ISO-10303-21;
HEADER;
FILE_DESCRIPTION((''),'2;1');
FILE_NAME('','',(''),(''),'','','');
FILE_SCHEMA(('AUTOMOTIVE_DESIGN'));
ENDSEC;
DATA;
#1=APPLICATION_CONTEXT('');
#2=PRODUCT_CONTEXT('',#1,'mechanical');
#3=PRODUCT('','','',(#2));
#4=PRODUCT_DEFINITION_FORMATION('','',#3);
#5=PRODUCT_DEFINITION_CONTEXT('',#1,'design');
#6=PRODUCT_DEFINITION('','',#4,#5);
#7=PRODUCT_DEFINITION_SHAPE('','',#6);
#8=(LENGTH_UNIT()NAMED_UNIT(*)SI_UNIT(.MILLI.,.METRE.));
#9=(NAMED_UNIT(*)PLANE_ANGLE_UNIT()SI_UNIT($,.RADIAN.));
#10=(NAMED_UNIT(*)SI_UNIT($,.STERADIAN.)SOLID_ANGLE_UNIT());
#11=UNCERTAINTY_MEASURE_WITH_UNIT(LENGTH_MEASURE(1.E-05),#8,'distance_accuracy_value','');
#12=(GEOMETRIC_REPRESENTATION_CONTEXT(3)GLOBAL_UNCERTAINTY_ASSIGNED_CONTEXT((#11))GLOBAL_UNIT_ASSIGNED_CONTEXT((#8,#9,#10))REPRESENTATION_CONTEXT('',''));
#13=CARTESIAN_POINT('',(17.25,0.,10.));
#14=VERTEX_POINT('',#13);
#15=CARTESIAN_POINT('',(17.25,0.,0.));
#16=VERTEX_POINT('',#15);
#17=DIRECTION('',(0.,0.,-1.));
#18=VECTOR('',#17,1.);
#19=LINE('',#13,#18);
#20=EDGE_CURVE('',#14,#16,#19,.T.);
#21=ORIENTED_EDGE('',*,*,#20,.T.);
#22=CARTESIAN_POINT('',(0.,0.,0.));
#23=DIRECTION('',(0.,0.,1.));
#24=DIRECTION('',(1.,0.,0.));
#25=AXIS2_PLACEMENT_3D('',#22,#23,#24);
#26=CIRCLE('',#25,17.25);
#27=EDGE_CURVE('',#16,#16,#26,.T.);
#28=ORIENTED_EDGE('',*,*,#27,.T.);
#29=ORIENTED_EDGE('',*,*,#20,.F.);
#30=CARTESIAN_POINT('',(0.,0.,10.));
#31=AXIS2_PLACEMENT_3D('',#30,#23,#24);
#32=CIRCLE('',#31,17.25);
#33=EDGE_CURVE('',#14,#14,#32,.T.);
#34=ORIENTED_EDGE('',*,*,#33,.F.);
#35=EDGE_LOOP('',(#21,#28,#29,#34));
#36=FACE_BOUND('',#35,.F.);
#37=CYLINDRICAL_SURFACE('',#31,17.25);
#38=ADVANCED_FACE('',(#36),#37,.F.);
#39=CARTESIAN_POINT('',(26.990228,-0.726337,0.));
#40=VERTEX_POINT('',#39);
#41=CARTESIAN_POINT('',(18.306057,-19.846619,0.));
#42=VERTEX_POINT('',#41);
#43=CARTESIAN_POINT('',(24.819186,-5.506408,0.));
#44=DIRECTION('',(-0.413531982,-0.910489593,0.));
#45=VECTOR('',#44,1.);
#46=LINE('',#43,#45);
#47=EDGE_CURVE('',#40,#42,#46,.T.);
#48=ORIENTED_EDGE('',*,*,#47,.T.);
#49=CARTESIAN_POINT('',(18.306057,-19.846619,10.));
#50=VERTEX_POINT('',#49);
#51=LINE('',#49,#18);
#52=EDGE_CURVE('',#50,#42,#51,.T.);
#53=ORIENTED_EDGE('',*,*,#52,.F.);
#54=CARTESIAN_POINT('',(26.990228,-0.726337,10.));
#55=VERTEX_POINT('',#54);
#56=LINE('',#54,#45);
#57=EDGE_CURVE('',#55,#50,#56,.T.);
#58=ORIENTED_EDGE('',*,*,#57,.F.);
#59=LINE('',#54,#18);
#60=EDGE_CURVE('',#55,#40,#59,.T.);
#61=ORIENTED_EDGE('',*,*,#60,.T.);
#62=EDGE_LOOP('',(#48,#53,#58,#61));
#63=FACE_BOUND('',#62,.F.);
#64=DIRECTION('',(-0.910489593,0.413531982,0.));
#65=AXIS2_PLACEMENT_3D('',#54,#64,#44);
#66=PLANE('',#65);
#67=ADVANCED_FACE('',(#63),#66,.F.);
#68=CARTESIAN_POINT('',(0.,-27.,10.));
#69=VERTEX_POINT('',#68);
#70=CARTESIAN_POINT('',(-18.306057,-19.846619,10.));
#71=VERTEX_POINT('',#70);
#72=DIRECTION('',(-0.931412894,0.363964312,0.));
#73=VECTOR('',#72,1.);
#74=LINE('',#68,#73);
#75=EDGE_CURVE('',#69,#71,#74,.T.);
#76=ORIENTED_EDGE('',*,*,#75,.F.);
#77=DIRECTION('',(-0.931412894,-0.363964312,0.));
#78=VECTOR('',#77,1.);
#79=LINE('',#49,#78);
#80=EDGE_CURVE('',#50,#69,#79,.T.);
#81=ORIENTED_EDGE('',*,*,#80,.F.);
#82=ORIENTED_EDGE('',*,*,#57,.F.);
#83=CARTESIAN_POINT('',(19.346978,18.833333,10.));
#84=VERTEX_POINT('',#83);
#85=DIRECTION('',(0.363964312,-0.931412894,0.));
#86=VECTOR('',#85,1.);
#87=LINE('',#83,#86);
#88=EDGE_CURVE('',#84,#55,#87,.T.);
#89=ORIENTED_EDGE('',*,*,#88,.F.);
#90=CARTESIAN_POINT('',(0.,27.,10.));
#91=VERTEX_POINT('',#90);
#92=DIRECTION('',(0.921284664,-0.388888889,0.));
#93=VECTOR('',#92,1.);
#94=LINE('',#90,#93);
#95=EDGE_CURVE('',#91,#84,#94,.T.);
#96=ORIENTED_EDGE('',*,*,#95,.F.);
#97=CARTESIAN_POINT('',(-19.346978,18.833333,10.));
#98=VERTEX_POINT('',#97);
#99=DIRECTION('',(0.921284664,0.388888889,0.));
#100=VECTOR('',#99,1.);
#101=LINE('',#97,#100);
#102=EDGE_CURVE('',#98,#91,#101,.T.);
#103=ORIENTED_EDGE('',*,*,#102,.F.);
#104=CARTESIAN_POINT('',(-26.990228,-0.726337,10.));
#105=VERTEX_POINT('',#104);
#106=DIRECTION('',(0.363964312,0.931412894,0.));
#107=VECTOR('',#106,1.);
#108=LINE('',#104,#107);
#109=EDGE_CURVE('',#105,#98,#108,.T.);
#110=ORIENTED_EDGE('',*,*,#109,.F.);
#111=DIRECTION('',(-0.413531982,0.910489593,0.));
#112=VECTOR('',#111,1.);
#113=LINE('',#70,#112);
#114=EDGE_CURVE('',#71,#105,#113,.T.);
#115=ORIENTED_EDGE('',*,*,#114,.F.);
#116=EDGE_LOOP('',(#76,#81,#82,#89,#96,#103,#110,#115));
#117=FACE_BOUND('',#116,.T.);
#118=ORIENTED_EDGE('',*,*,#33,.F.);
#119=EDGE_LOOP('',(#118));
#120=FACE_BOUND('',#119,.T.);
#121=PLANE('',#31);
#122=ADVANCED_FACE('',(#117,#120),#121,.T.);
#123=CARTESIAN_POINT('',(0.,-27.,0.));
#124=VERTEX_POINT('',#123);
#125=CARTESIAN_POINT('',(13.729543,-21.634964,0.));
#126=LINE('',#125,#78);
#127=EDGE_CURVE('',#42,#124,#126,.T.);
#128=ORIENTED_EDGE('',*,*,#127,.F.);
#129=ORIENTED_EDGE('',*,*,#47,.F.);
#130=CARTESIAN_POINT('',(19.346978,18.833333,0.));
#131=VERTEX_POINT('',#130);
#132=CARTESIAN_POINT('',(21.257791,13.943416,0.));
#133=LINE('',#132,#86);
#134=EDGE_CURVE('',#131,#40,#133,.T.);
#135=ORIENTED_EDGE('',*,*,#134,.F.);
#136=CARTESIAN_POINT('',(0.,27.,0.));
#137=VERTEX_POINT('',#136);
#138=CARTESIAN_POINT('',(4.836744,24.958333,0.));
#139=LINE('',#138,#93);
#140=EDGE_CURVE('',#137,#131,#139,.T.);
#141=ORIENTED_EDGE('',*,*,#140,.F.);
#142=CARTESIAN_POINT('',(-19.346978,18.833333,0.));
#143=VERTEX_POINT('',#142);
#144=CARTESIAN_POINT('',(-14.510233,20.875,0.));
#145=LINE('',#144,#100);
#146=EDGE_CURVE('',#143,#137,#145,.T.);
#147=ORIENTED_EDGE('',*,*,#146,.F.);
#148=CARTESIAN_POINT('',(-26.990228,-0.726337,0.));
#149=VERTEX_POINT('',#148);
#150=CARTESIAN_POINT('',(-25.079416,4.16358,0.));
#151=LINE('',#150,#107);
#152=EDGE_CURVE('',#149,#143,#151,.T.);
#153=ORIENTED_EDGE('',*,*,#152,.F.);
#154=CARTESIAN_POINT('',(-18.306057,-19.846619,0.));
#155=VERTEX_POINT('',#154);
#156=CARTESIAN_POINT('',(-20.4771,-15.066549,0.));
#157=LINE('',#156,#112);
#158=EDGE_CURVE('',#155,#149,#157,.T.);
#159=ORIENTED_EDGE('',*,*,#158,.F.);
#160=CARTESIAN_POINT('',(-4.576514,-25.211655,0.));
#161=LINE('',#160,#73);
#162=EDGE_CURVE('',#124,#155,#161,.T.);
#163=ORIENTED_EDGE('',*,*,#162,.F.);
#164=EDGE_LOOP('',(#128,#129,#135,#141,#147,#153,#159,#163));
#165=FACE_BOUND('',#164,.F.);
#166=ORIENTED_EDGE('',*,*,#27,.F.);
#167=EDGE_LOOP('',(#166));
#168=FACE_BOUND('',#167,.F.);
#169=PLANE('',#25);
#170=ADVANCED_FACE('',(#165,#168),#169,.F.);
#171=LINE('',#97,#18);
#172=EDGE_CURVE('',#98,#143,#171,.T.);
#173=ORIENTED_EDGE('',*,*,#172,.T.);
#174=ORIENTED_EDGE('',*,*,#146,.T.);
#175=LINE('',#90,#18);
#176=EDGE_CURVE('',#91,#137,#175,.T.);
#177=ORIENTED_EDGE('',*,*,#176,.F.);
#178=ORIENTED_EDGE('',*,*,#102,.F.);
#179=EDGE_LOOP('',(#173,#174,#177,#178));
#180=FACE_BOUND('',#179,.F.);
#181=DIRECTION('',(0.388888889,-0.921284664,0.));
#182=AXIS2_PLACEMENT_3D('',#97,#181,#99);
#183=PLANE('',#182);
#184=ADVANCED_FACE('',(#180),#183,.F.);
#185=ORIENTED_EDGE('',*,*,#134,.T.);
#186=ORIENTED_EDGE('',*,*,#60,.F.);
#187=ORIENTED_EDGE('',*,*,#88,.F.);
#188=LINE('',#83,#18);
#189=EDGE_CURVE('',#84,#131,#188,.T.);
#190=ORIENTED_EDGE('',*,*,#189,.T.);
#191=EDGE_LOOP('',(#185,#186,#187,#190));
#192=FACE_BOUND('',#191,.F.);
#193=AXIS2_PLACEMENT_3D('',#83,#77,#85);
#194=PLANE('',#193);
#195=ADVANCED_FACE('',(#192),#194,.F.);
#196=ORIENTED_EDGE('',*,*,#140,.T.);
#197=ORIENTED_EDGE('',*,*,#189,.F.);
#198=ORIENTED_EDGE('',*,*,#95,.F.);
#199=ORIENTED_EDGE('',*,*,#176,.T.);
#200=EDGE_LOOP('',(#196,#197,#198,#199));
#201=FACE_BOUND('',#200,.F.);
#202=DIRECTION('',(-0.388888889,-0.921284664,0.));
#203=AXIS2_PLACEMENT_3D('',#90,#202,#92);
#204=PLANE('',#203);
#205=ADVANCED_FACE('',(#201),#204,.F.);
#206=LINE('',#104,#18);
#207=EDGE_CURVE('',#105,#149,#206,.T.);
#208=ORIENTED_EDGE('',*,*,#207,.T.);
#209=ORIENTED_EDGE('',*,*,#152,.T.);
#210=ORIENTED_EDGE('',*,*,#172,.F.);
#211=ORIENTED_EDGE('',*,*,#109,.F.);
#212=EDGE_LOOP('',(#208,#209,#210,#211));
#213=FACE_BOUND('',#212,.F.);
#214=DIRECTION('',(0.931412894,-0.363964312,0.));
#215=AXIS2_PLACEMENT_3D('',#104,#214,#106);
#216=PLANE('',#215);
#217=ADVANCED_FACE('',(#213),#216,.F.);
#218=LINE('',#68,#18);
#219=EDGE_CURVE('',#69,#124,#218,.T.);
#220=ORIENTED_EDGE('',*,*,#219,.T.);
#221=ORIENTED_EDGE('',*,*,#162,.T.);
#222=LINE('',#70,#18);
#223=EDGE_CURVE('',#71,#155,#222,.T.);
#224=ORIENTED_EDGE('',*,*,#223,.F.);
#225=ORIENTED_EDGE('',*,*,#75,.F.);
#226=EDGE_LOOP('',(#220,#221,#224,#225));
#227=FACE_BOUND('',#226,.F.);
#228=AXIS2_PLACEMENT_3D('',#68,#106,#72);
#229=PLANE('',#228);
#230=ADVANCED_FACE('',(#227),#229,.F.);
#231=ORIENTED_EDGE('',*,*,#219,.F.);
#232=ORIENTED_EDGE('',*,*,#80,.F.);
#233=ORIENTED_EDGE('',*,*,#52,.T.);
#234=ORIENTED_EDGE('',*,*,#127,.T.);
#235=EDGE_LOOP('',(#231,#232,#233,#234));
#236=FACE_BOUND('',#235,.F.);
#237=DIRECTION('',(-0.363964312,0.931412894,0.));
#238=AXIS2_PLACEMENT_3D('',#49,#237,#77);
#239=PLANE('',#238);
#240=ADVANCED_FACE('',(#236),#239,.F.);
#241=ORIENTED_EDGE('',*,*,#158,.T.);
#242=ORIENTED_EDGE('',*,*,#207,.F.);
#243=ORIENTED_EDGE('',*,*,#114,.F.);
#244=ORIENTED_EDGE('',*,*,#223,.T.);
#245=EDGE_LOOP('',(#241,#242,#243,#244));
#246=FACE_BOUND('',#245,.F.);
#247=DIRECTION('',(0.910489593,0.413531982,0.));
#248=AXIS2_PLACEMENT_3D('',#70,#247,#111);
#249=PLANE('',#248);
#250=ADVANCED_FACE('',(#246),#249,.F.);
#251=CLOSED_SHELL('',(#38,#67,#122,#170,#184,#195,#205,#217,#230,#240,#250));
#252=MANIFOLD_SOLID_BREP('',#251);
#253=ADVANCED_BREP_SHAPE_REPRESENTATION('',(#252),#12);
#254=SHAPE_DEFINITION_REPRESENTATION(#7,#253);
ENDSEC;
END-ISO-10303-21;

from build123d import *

# Parameters (mm, degrees)
F0_R     = 27
F1_DEPTH = 10
F2_R     = 17.25
F3_DEPTH = 25
F5_DEPTH = 25


with BuildPart() as f1:
    # F0 (on Top) → F1 (new body)
    with BuildSketch(Plane.XY):
        Circle(F0_R)
    extrude(amount=F1_DEPTH)

    # F2 (on face) → F3 (cut)
    with BuildSketch(Plane.XY.offset(10)):
        Circle(F2_R)
    extrude(amount=-F3_DEPTH, mode=Mode.SUBTRACT)

    # F4 (on face) → F5 (cut)
    with BuildSketch(Plane.XY.offset(10)):
        with BuildLine():
            Line((-26.9902284894, -0.7263374486), (-19.3469779437, 18.8333333333))
            ThreePointArc((-19.3469779437, 18.8333333333), (-25.1481481481, 9.8270364159), (-26.9902284894, -0.7263374486))
        make_face()
        with BuildLine():
            Line((-19.3469779437, 18.8333333333), (0, 27))
            ThreePointArc((0, 27), (-10.5, 24.8746859277), (-19.3469779437, 18.8333333333))
        make_face()
        with BuildLine():
            ThreePointArc((19.3469779437, 18.8333333333), (10.5, 24.8746859277), (0, 27))
            Line((0, 27), (19.3469779437, 18.8333333333))
        make_face()
        with BuildLine():
            ThreePointArc((27, 0), (25.0136803018, 10.1644378969), (19.3469779437, 18.8333333333))
            Line((19.3469779437, 18.8333333333), (26.9902284894, -0.7263374486))
            ThreePointArc((26.9902284894, -0.7263374486), (26.9975570118, -0.3632015871), (27, 0))
        make_face()
        with BuildLine():
            ThreePointArc((18.3060568625, -19.8466189097), (24.5832190215, -11.1653635203), (26.9902284894, -0.7263374486))
            Line((26.9902284894, -0.7263374486), (18.3060568625, -19.8466189097))
        make_face()
        with BuildLine():
            ThreePointArc((0, -27), (9.8270364159, -25.1481481481), (18.3060568625, -19.8466189097))
            Line((18.3060568625, -19.8466189097), (0, -27))
        make_face()
        with BuildLine():
            Line((0, -27), (-18.3060568625, -19.8466189097))
            ThreePointArc((-18.3060568625, -19.8466189097), (-9.8270364159, -25.1481481481), (0, -27))
        make_face()
        with BuildLine():
            Line((-18.3060568625, -19.8466189097), (-26.9902284894, -0.7263374486))
            ThreePointArc((-26.9902284894, -0.7263374486), (-24.5832190215, -11.1653635203), (-18.3060568625, -19.8466189097))
        make_face()
    extrude(amount=-F5_DEPTH, mode=Mode.SUBTRACT)


solid = f1.part
